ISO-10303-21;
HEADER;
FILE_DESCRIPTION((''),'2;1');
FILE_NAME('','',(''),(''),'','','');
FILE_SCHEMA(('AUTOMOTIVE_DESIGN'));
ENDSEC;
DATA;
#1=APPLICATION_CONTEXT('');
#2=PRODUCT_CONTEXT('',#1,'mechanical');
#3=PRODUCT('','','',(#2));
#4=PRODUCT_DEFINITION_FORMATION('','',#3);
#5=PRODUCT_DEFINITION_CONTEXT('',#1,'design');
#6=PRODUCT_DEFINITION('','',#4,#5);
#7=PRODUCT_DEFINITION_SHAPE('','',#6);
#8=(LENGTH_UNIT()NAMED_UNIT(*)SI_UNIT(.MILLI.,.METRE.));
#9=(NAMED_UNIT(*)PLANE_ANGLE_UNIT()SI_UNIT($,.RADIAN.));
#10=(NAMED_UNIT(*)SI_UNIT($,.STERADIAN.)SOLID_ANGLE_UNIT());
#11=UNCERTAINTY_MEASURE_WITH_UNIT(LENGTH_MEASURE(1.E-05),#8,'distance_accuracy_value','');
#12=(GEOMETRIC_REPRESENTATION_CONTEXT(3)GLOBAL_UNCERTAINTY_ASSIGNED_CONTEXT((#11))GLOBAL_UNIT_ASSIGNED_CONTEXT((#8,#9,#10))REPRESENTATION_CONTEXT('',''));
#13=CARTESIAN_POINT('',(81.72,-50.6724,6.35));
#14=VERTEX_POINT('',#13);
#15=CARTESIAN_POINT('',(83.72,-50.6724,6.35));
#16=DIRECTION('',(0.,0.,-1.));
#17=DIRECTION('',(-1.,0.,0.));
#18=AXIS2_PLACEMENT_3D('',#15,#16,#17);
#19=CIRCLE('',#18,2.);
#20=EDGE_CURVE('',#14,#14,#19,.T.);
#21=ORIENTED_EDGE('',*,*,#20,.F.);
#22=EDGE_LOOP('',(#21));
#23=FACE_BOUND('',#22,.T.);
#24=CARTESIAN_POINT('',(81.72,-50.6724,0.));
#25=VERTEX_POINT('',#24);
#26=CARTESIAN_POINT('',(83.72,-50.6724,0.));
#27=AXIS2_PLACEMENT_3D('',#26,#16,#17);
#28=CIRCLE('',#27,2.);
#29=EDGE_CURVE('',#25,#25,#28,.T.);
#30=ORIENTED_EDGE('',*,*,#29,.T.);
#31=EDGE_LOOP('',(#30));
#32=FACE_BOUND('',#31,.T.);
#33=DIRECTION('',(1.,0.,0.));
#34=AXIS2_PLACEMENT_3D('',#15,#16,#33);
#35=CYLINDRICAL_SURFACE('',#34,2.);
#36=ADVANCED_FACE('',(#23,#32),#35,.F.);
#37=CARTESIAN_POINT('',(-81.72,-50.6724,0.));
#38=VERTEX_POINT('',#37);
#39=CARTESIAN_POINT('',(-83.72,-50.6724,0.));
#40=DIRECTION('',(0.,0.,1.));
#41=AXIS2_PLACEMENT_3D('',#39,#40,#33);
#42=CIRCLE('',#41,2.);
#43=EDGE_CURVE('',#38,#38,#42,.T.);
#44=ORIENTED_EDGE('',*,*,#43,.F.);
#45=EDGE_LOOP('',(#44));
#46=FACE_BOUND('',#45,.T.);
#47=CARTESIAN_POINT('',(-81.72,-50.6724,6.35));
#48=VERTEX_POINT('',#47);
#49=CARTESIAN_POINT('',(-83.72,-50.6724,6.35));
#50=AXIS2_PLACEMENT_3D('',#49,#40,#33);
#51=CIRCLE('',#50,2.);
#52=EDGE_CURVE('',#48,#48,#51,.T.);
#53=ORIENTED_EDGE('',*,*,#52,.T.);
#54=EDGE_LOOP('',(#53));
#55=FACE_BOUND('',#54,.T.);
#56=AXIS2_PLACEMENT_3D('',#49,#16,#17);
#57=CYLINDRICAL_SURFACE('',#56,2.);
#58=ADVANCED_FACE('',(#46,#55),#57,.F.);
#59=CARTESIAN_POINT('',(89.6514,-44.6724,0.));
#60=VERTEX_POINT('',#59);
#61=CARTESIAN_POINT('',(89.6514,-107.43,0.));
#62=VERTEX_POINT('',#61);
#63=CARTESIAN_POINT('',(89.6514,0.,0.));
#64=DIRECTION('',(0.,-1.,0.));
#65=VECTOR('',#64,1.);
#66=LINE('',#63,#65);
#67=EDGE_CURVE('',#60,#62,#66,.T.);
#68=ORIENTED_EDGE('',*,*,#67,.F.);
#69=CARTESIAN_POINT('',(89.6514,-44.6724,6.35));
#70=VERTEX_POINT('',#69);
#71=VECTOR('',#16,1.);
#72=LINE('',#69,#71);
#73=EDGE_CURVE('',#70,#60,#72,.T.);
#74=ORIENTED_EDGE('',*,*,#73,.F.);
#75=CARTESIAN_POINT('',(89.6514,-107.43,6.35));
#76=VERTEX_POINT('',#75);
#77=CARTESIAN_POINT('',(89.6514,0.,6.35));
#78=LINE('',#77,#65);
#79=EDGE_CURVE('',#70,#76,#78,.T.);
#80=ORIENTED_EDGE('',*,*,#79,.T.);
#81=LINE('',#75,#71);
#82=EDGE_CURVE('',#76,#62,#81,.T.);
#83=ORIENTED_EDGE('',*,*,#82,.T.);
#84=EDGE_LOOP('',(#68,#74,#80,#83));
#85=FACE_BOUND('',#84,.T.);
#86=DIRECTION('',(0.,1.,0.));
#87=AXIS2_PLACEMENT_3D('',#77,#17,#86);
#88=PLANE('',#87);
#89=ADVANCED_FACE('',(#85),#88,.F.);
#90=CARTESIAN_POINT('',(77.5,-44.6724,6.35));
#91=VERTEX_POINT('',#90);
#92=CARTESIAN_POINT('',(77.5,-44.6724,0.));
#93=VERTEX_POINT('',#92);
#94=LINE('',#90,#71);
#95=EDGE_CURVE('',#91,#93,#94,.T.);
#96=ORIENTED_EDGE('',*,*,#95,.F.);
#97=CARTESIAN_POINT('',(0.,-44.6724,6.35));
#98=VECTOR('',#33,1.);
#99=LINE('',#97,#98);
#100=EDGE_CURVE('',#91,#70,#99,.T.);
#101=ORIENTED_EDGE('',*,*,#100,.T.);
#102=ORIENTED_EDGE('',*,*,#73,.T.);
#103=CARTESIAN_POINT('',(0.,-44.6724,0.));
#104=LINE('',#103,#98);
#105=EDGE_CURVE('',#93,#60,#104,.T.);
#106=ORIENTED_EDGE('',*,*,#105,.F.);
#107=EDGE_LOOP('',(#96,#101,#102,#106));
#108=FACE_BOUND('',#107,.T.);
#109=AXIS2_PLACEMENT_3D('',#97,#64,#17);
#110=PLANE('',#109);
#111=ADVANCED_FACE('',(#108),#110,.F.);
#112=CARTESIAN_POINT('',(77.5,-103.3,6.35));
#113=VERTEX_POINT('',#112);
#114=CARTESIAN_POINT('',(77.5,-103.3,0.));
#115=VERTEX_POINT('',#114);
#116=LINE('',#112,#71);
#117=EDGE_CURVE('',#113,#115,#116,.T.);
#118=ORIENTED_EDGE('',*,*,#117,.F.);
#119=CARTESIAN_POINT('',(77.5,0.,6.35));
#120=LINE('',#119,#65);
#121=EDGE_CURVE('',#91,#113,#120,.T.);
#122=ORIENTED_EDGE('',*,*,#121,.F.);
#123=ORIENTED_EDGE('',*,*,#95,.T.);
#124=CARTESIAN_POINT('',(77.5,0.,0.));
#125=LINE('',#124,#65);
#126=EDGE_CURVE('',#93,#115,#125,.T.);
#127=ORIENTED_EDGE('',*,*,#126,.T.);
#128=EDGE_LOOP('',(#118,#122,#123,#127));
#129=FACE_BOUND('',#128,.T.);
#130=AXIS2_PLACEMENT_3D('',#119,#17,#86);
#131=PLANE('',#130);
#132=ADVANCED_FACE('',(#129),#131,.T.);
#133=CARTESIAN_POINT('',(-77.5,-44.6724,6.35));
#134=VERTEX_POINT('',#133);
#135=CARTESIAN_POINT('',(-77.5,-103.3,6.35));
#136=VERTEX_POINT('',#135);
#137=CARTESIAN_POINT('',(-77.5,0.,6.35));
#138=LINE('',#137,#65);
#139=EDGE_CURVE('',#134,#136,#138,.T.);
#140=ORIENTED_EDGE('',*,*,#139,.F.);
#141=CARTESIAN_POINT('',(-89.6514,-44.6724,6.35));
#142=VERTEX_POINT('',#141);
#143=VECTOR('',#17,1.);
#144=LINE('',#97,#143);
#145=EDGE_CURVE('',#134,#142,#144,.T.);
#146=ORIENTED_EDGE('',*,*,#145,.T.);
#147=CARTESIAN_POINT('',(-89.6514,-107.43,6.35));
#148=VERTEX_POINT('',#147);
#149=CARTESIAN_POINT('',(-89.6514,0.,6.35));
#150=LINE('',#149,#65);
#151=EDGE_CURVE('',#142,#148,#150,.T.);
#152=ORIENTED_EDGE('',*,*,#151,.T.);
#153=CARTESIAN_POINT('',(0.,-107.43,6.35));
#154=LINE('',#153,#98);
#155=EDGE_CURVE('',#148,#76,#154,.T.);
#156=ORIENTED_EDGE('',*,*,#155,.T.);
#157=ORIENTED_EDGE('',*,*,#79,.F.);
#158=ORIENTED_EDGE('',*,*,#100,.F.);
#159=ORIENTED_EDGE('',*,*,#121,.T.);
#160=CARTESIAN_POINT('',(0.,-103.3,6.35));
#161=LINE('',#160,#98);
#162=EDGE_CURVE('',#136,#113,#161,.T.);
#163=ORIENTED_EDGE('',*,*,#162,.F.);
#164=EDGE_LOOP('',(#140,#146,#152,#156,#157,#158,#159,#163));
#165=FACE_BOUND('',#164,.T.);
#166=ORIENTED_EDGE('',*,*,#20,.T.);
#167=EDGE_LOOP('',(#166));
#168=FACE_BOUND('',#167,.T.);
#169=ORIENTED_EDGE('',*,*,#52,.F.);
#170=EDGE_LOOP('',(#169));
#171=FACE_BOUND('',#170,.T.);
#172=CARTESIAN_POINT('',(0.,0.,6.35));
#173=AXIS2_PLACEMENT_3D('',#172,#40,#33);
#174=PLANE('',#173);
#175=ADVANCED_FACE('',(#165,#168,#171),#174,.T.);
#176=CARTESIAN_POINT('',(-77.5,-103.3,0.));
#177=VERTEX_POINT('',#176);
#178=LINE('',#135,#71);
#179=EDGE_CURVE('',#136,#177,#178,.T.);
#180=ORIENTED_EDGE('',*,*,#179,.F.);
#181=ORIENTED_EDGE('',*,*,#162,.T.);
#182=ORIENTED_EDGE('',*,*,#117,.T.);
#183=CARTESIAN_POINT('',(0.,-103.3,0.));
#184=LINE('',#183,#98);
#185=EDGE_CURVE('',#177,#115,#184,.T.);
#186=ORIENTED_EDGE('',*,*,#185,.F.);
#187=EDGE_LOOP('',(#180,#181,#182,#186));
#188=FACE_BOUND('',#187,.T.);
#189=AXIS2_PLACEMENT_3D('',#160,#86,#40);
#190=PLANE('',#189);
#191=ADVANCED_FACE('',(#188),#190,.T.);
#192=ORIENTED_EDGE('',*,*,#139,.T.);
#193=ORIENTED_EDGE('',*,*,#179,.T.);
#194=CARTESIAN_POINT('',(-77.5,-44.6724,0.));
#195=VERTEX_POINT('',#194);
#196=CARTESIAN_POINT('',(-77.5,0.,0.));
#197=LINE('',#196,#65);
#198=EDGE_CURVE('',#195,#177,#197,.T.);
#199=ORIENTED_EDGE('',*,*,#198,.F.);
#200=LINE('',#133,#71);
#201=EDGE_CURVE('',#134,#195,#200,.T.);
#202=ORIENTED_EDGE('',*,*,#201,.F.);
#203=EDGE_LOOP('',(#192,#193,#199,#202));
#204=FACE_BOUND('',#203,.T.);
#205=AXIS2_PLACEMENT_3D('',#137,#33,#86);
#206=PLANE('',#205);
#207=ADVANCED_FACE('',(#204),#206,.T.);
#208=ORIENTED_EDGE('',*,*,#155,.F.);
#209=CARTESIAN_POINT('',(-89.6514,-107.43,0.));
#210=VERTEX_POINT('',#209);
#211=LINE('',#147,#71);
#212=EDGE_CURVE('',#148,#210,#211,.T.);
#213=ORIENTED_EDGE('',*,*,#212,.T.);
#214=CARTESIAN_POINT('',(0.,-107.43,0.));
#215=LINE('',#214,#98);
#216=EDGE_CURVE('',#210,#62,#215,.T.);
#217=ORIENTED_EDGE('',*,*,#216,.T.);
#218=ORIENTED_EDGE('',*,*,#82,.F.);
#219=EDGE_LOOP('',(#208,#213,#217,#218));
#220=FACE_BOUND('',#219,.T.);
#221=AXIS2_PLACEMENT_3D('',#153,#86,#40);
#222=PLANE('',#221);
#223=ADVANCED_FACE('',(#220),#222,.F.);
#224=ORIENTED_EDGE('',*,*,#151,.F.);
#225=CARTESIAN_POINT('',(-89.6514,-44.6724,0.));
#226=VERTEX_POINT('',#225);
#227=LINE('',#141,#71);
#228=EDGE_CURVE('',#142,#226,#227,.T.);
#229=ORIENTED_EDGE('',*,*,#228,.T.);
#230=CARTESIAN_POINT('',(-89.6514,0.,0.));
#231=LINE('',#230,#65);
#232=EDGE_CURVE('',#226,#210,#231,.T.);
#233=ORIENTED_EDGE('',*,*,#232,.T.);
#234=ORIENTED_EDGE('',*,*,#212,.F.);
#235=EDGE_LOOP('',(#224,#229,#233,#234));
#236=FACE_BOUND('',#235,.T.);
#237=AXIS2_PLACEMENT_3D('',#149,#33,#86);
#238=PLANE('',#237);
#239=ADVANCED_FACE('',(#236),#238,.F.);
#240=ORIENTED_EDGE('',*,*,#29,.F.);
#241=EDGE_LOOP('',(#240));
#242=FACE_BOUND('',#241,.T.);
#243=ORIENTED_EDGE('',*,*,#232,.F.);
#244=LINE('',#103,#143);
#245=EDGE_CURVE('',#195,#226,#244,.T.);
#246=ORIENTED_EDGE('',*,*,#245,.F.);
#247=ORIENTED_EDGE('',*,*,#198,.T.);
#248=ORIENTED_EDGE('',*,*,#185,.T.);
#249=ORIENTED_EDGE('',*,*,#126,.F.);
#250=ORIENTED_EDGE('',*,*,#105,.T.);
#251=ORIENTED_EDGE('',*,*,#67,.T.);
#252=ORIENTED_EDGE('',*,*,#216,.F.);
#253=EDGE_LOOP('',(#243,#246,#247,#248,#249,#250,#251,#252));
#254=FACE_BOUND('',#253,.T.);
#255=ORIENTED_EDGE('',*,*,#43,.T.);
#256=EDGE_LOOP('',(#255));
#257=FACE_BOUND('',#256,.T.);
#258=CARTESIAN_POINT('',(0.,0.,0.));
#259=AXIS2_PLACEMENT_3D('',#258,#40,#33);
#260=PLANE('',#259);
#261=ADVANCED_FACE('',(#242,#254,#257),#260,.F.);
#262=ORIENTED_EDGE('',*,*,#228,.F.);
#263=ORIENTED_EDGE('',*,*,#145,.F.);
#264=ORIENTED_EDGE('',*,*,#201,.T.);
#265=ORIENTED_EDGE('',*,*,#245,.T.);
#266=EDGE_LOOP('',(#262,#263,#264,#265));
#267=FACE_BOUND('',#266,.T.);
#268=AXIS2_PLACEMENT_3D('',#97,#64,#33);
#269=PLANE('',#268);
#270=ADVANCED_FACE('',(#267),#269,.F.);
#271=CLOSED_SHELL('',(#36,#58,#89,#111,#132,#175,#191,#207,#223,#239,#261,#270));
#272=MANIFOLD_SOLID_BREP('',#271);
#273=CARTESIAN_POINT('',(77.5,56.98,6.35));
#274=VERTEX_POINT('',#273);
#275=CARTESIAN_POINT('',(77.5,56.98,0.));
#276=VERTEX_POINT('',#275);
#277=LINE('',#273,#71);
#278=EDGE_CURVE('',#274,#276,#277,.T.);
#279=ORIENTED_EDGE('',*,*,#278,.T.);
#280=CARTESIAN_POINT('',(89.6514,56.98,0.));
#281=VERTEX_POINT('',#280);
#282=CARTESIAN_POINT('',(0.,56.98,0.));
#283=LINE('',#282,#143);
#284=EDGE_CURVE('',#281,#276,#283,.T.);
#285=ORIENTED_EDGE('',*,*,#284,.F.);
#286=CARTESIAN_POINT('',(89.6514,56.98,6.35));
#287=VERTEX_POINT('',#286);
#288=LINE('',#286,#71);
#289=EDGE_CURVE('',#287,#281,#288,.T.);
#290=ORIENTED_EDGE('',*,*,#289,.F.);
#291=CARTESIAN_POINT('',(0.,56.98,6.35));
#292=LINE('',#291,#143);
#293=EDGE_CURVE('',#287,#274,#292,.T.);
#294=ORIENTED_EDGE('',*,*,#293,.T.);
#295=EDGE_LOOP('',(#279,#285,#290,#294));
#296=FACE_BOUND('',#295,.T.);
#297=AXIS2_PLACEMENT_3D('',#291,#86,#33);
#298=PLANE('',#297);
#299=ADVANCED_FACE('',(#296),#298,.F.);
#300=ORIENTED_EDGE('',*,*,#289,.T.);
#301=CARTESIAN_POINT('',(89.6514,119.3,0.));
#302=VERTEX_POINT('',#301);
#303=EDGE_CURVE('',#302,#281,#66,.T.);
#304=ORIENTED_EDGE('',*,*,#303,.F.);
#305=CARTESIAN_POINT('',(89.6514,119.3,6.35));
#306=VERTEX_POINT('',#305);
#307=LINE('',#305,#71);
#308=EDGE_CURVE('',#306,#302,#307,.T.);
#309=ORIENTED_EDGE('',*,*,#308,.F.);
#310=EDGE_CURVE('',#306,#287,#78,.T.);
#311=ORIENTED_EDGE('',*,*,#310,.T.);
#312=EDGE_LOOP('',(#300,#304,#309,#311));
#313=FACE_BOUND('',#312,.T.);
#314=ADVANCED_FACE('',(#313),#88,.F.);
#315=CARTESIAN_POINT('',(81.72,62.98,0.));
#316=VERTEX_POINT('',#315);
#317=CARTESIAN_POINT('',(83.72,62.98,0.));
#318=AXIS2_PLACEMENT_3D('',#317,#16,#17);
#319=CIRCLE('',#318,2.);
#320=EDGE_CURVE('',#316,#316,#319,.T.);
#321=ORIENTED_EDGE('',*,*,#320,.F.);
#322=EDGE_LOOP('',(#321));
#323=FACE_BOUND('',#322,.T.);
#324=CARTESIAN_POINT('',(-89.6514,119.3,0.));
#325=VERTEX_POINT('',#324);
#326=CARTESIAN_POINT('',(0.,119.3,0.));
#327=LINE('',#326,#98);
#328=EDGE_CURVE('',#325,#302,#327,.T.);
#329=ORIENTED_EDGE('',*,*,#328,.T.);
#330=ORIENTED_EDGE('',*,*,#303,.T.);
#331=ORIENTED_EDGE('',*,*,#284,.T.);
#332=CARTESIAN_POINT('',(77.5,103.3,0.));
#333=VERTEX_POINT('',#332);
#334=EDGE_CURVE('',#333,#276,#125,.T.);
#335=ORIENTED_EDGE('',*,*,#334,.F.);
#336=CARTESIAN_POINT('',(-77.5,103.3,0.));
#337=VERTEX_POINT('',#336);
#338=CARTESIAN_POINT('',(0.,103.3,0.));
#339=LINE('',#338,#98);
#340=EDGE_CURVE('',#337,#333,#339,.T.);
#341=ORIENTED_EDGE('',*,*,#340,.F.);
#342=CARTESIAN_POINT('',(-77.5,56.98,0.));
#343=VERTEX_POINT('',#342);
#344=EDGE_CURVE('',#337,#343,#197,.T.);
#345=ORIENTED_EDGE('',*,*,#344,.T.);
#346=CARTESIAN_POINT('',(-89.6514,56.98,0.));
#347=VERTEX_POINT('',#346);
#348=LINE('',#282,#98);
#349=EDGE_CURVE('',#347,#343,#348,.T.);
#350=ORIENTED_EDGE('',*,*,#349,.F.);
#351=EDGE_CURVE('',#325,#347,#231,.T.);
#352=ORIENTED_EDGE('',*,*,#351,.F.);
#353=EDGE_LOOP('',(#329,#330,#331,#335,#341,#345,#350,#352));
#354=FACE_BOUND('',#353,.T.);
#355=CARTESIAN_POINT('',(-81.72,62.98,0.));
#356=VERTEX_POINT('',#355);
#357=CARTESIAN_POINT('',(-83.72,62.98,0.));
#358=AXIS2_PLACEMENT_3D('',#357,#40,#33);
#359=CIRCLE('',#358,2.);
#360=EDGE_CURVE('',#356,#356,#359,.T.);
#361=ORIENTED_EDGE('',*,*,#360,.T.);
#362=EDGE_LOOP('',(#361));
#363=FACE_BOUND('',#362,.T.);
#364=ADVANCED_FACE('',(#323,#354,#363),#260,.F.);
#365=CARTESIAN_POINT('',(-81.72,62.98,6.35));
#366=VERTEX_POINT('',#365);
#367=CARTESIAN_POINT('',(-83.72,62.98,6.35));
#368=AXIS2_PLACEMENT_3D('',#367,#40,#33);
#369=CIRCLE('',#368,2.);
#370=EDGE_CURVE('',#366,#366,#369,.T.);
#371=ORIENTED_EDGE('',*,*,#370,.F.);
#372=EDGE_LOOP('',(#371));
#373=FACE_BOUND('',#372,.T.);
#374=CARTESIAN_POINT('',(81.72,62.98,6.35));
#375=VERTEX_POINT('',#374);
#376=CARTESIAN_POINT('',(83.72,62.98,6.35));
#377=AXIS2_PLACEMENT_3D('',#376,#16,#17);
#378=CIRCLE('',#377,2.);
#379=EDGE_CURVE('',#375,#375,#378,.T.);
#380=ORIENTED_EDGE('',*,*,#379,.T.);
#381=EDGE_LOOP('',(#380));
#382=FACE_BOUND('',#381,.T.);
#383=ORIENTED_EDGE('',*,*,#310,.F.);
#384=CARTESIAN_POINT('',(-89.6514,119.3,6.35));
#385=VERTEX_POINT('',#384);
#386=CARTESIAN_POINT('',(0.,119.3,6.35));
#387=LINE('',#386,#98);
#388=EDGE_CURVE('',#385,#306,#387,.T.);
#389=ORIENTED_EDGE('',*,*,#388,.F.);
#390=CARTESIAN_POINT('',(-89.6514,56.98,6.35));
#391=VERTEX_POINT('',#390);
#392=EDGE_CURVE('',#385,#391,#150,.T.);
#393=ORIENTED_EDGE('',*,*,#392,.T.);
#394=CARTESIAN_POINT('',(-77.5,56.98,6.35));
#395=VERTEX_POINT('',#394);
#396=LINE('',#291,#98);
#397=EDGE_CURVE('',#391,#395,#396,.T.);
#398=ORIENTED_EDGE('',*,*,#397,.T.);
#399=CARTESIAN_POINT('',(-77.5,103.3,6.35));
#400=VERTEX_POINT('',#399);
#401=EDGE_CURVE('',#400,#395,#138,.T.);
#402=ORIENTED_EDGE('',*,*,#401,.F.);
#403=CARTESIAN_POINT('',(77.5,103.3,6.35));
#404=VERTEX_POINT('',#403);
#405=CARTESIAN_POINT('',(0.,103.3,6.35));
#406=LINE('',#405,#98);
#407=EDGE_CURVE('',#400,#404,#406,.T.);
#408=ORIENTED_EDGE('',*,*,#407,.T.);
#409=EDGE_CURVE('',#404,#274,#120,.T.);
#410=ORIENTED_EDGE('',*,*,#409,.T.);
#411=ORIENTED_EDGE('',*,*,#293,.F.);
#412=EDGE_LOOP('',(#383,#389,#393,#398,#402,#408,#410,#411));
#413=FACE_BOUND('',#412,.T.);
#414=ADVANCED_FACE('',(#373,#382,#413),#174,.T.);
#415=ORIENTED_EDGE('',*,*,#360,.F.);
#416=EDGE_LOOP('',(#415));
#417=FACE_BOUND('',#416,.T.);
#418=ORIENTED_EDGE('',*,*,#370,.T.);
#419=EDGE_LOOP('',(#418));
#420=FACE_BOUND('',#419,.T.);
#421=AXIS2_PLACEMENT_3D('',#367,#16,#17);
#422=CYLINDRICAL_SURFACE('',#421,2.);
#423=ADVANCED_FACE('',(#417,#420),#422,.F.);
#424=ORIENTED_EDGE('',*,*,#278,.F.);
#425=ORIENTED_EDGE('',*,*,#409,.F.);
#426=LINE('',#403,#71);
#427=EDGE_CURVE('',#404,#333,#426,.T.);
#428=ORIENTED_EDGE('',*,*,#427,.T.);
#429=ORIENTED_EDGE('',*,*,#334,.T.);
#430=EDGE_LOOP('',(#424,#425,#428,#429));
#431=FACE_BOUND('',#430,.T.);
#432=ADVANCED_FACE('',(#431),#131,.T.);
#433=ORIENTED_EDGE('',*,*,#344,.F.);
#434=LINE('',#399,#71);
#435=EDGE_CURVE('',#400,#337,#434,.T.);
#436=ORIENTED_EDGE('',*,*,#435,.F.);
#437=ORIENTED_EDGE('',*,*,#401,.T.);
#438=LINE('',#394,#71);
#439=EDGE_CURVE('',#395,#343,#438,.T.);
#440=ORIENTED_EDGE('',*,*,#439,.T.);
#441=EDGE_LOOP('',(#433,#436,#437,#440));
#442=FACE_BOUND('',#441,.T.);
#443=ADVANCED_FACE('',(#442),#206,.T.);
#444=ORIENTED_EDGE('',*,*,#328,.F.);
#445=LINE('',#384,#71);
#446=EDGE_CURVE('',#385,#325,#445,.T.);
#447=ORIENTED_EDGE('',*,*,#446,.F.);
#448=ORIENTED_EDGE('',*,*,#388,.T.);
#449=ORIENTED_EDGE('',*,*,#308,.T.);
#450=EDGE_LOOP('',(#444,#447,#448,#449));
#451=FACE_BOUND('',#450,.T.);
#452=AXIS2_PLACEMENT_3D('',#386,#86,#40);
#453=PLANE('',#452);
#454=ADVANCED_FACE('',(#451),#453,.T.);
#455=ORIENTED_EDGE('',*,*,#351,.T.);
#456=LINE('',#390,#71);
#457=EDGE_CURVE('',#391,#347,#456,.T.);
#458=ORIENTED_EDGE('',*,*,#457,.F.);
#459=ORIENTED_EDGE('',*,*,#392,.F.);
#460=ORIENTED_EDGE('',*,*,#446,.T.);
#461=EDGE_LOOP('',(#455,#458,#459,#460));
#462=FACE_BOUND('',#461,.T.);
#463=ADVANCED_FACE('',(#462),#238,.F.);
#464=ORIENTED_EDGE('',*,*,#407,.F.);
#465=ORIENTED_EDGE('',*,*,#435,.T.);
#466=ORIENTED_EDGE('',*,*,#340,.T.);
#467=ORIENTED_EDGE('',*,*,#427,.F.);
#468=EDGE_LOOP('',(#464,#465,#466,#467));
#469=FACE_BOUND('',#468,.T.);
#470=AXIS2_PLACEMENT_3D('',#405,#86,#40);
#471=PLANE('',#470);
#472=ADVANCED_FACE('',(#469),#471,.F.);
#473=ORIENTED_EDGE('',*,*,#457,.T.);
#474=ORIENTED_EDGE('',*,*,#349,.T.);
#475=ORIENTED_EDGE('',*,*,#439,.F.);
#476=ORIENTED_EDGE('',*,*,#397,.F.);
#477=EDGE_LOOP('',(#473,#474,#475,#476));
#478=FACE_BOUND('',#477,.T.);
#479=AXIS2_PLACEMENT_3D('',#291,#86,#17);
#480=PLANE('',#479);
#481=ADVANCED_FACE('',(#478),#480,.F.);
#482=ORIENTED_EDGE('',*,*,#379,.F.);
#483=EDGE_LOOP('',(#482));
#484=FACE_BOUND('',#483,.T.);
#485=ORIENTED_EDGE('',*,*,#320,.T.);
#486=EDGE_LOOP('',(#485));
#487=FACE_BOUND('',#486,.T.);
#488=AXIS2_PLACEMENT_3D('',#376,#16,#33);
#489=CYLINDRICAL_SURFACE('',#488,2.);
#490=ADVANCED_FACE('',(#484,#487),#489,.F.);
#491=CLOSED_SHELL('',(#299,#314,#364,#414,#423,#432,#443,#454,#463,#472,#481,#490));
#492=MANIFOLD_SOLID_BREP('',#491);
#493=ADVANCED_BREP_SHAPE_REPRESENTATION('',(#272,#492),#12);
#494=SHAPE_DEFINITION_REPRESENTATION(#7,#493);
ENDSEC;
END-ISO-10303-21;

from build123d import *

# Parameters (mm, degrees)
SKETCH1_R               = 2
REPEATING_FRAME_DEPTH   = 6.35
REPEATING_FRAME_2_DEPTH = 6.35


with BuildPart() as part:
    # Sketch1 → Repeating Frame (new body)
    with BuildSketch(Plane.XY):
        Polygon((-89.6514, -107.43), (0, -107.43), (0, -103.3), (-77.5, -103.3), (-77.5, -44.6724), (-89.6514, -44.6724), align=None)
        with Locations((-83.72, -50.6724)):
            Circle(SKETCH1_R, mode=Mode.SUBTRACT)
    repeating_frame = extrude(amount=REPEATING_FRAME_DEPTH)


with BuildPart() as body_2:
    # Sketch1 → Repeating Frame 2 (new body)
    with BuildSketch(Plane.XY):
        Polygon((-77.5, 103.3), (0, 103.3), (0, 119.3), (-89.6514, 119.3), (-89.6514, 56.98), (-77.5, 56.98), align=None)
        with Locations((-83.72, 62.98)):
            Circle(SKETCH1_R, mode=Mode.SUBTRACT)
    repeating_frame_2 = extrude(amount=REPEATING_FRAME_2_DEPTH)


with BuildPart() as part_1:
    add(part.part)

    add(body_2.part)  # Mirror1 merges body 2
    # Mirror1: Repeating Frame, Repeating Frame 2 across plane
    add(repeating_frame.mirror(Plane(origin=(0, 0, 0), x_dir=(0, 0, 1), z_dir=(1, 0, 0))))
    add(repeating_frame_2.mirror(Plane(origin=(0, 0, 0), x_dir=(0, 0, 1), z_dir=(1, 0, 0))))


solid = part_1.part
